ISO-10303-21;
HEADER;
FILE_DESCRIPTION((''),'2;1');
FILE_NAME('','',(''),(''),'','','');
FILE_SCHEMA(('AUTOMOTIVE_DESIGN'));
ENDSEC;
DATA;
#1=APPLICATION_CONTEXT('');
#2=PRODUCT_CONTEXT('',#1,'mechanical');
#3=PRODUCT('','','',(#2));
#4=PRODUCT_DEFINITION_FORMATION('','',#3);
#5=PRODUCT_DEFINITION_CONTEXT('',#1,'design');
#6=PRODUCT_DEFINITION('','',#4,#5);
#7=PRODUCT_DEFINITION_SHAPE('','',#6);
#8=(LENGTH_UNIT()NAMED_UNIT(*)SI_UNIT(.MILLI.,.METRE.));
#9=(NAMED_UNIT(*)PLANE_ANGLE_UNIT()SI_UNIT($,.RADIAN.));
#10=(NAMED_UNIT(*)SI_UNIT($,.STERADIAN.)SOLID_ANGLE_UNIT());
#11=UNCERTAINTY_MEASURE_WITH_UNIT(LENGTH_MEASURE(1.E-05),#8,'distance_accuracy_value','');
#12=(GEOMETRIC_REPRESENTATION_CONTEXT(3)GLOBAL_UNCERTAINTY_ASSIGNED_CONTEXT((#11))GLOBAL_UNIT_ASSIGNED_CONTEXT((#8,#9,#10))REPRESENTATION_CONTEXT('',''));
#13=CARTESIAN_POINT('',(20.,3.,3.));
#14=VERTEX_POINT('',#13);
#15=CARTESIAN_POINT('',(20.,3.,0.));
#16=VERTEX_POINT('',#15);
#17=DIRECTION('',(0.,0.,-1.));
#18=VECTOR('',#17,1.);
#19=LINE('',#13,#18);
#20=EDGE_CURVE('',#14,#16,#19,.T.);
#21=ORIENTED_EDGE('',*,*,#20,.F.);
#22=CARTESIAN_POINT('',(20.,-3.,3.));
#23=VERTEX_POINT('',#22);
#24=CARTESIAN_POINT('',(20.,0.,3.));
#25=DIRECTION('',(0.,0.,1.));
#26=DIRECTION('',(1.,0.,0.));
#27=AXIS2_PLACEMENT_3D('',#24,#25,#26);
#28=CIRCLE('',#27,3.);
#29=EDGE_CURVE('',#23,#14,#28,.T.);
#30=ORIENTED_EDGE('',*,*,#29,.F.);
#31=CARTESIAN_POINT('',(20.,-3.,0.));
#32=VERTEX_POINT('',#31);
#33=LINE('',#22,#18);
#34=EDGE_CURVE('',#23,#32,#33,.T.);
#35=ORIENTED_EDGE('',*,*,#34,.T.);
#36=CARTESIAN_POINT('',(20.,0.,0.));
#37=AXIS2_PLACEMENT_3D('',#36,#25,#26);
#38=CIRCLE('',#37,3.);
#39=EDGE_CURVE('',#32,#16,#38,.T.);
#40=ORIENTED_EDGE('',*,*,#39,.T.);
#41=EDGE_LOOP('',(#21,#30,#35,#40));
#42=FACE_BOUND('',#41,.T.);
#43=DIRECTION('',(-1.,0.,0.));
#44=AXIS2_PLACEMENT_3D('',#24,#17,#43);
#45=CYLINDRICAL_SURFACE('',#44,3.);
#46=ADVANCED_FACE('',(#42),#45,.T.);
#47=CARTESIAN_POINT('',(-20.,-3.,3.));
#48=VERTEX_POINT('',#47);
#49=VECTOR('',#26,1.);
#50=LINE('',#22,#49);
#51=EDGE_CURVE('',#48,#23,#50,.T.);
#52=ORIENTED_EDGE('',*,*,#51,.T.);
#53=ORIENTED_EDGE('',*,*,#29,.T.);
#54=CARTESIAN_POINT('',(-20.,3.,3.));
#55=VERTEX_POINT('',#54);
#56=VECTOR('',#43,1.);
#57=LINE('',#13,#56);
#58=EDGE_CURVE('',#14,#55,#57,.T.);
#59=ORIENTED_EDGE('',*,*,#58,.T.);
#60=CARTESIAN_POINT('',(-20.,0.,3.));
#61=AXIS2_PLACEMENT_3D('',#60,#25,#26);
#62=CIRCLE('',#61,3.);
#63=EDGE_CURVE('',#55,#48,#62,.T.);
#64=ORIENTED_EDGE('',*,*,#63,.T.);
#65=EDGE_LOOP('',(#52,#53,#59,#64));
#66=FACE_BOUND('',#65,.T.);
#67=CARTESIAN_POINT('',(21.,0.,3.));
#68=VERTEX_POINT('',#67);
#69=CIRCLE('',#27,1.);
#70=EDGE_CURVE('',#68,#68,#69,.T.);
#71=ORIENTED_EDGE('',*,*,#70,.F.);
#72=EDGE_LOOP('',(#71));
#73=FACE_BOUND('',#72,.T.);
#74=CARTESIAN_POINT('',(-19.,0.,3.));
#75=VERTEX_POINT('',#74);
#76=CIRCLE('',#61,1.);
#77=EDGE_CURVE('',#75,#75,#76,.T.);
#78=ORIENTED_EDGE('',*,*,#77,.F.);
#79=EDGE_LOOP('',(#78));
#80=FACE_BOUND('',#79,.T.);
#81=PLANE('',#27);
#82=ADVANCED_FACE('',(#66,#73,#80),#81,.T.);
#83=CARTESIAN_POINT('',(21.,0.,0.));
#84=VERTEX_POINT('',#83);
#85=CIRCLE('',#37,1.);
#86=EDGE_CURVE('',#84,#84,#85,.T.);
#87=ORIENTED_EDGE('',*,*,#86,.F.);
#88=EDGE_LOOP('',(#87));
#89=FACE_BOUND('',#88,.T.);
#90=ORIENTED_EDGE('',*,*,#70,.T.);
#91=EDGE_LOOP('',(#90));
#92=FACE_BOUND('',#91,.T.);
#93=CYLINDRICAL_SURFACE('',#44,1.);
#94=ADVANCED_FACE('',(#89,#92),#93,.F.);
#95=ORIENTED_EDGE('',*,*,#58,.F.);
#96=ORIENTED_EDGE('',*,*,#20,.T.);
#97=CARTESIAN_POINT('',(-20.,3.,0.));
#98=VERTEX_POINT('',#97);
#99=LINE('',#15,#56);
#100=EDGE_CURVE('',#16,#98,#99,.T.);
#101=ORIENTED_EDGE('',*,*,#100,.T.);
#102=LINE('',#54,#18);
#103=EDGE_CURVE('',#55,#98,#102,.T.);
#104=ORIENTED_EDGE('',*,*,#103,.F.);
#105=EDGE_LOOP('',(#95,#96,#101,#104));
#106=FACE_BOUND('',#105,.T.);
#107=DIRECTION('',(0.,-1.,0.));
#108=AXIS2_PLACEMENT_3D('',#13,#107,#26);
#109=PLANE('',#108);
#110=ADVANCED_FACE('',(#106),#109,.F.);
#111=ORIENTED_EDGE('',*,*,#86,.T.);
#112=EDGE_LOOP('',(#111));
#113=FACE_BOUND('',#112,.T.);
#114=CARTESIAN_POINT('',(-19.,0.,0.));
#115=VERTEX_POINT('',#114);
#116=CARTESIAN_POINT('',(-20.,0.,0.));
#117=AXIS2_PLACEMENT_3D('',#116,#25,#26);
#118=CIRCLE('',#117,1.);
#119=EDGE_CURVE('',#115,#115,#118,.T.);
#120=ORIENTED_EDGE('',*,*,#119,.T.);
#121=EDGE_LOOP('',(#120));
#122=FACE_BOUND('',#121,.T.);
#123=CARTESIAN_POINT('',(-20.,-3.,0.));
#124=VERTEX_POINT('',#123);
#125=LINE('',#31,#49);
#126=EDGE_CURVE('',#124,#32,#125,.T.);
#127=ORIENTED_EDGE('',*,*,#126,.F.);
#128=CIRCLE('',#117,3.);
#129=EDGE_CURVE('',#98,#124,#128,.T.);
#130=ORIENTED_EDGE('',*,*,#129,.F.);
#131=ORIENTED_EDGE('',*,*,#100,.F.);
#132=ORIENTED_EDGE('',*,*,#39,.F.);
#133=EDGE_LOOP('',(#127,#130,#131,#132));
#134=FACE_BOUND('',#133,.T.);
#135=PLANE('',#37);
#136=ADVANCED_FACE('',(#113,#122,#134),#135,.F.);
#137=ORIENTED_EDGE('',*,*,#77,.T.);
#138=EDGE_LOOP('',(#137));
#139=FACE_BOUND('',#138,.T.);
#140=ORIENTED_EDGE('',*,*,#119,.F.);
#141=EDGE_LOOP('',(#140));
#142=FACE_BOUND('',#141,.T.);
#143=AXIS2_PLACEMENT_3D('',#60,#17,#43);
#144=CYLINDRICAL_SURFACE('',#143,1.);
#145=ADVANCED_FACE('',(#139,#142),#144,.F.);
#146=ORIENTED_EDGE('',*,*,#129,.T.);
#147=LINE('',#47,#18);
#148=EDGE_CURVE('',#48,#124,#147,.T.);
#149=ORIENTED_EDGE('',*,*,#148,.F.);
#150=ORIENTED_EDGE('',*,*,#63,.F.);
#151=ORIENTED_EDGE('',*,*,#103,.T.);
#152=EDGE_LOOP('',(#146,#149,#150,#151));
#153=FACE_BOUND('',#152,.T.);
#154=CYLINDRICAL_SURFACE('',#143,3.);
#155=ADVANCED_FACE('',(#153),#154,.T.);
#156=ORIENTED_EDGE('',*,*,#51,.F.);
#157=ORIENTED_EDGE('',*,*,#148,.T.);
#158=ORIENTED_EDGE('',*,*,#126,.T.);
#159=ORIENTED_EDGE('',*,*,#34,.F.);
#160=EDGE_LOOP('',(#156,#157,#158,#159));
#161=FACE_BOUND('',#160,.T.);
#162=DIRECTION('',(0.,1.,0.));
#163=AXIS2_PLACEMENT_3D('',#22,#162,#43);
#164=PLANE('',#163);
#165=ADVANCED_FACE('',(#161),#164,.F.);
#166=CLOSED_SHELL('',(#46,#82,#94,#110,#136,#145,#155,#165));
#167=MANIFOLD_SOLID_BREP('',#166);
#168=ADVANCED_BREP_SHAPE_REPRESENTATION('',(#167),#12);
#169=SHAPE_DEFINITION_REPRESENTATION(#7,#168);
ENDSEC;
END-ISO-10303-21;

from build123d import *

# Parameters (mm, degrees)
SKETCH1_R           = 1
BOSS_EXTRUDE1_DEPTH = 3


with BuildPart() as part:
    # Sketch1 → Boss-Extrude1 (new body)
    with BuildSketch(Plane.XY):
        with BuildLine():
            Line((20, -3), (-20, -3))
            ThreePointArc((-20, -3), (-23, 0), (-20, 3))
            Line((-20, 3), (20, 3))
            ThreePointArc((20, 3), (23, 0), (20, -3))
        make_face()
        with Locations((-20, 0)):
            Circle(SKETCH1_R, mode=Mode.SUBTRACT)
        with Locations((20, 0)):
            Circle(SKETCH1_R, mode=Mode.SUBTRACT)
    extrude(amount=BOSS_EXTRUDE1_DEPTH)


solid = part.part
